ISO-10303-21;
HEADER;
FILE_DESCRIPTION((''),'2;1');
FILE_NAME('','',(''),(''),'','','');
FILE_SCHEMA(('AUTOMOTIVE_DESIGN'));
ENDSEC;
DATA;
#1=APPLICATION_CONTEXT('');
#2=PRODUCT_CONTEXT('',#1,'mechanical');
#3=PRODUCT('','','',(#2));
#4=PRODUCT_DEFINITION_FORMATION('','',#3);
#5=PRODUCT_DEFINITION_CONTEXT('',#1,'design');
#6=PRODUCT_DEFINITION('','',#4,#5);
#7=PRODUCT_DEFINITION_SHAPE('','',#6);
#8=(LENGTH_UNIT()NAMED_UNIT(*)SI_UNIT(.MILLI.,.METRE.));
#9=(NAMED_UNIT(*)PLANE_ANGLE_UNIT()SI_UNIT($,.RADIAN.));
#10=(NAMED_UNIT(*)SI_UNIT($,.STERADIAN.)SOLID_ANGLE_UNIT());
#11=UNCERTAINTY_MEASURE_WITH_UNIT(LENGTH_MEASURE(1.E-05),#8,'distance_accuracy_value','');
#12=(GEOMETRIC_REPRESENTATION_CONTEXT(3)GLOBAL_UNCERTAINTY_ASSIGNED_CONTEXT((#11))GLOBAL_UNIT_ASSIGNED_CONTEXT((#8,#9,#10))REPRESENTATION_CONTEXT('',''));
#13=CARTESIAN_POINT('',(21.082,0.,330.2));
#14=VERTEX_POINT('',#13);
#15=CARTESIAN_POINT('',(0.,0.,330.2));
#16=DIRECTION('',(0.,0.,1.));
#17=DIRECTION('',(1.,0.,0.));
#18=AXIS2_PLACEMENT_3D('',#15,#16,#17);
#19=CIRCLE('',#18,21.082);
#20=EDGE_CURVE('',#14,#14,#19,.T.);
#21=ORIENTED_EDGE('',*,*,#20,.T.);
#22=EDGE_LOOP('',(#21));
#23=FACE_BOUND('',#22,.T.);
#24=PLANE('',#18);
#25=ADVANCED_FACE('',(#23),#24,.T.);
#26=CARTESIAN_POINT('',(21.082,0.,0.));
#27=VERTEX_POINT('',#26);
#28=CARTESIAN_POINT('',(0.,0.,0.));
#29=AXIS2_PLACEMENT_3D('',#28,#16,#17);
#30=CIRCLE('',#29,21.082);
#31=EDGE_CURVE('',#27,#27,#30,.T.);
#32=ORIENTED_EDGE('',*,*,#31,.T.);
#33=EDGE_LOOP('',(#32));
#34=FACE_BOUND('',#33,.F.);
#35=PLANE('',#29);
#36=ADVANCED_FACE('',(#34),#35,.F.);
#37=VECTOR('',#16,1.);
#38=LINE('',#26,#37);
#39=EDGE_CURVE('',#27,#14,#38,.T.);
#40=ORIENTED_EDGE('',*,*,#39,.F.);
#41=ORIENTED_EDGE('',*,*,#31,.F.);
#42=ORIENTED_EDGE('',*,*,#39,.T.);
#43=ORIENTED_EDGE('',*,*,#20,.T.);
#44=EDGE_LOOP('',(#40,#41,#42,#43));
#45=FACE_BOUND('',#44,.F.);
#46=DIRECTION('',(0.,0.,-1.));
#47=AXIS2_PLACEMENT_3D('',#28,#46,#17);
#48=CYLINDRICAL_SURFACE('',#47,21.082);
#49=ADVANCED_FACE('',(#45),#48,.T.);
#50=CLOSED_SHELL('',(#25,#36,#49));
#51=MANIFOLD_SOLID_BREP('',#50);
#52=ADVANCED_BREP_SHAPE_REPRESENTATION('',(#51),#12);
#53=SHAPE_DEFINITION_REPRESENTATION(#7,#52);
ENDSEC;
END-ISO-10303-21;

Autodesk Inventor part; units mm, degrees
ref_plane "YZ Plane" through (0, 0, 0) normal (1, 0, 0) x (0, 1, 0)
ref_plane "XZ Plane" through (0, 0, 0) normal (0, 1, 0) x (-1, 0, 0)
ref_plane "XY Plane" through (0, 0, 0) normal (0, 0, 1) x (1, 0, 0)
sketch "Sketch1" plane through (0, 0, 0) normal (0, 0, 1) x (1, 0, 0)
  circle A0 centre (0, 0) radius 21.082
  dimension "d0" = 42.164
extrude "Extrusion1" add sketch "Sketch1" along normal blind 330.2
properties part number "Rung Bar"
